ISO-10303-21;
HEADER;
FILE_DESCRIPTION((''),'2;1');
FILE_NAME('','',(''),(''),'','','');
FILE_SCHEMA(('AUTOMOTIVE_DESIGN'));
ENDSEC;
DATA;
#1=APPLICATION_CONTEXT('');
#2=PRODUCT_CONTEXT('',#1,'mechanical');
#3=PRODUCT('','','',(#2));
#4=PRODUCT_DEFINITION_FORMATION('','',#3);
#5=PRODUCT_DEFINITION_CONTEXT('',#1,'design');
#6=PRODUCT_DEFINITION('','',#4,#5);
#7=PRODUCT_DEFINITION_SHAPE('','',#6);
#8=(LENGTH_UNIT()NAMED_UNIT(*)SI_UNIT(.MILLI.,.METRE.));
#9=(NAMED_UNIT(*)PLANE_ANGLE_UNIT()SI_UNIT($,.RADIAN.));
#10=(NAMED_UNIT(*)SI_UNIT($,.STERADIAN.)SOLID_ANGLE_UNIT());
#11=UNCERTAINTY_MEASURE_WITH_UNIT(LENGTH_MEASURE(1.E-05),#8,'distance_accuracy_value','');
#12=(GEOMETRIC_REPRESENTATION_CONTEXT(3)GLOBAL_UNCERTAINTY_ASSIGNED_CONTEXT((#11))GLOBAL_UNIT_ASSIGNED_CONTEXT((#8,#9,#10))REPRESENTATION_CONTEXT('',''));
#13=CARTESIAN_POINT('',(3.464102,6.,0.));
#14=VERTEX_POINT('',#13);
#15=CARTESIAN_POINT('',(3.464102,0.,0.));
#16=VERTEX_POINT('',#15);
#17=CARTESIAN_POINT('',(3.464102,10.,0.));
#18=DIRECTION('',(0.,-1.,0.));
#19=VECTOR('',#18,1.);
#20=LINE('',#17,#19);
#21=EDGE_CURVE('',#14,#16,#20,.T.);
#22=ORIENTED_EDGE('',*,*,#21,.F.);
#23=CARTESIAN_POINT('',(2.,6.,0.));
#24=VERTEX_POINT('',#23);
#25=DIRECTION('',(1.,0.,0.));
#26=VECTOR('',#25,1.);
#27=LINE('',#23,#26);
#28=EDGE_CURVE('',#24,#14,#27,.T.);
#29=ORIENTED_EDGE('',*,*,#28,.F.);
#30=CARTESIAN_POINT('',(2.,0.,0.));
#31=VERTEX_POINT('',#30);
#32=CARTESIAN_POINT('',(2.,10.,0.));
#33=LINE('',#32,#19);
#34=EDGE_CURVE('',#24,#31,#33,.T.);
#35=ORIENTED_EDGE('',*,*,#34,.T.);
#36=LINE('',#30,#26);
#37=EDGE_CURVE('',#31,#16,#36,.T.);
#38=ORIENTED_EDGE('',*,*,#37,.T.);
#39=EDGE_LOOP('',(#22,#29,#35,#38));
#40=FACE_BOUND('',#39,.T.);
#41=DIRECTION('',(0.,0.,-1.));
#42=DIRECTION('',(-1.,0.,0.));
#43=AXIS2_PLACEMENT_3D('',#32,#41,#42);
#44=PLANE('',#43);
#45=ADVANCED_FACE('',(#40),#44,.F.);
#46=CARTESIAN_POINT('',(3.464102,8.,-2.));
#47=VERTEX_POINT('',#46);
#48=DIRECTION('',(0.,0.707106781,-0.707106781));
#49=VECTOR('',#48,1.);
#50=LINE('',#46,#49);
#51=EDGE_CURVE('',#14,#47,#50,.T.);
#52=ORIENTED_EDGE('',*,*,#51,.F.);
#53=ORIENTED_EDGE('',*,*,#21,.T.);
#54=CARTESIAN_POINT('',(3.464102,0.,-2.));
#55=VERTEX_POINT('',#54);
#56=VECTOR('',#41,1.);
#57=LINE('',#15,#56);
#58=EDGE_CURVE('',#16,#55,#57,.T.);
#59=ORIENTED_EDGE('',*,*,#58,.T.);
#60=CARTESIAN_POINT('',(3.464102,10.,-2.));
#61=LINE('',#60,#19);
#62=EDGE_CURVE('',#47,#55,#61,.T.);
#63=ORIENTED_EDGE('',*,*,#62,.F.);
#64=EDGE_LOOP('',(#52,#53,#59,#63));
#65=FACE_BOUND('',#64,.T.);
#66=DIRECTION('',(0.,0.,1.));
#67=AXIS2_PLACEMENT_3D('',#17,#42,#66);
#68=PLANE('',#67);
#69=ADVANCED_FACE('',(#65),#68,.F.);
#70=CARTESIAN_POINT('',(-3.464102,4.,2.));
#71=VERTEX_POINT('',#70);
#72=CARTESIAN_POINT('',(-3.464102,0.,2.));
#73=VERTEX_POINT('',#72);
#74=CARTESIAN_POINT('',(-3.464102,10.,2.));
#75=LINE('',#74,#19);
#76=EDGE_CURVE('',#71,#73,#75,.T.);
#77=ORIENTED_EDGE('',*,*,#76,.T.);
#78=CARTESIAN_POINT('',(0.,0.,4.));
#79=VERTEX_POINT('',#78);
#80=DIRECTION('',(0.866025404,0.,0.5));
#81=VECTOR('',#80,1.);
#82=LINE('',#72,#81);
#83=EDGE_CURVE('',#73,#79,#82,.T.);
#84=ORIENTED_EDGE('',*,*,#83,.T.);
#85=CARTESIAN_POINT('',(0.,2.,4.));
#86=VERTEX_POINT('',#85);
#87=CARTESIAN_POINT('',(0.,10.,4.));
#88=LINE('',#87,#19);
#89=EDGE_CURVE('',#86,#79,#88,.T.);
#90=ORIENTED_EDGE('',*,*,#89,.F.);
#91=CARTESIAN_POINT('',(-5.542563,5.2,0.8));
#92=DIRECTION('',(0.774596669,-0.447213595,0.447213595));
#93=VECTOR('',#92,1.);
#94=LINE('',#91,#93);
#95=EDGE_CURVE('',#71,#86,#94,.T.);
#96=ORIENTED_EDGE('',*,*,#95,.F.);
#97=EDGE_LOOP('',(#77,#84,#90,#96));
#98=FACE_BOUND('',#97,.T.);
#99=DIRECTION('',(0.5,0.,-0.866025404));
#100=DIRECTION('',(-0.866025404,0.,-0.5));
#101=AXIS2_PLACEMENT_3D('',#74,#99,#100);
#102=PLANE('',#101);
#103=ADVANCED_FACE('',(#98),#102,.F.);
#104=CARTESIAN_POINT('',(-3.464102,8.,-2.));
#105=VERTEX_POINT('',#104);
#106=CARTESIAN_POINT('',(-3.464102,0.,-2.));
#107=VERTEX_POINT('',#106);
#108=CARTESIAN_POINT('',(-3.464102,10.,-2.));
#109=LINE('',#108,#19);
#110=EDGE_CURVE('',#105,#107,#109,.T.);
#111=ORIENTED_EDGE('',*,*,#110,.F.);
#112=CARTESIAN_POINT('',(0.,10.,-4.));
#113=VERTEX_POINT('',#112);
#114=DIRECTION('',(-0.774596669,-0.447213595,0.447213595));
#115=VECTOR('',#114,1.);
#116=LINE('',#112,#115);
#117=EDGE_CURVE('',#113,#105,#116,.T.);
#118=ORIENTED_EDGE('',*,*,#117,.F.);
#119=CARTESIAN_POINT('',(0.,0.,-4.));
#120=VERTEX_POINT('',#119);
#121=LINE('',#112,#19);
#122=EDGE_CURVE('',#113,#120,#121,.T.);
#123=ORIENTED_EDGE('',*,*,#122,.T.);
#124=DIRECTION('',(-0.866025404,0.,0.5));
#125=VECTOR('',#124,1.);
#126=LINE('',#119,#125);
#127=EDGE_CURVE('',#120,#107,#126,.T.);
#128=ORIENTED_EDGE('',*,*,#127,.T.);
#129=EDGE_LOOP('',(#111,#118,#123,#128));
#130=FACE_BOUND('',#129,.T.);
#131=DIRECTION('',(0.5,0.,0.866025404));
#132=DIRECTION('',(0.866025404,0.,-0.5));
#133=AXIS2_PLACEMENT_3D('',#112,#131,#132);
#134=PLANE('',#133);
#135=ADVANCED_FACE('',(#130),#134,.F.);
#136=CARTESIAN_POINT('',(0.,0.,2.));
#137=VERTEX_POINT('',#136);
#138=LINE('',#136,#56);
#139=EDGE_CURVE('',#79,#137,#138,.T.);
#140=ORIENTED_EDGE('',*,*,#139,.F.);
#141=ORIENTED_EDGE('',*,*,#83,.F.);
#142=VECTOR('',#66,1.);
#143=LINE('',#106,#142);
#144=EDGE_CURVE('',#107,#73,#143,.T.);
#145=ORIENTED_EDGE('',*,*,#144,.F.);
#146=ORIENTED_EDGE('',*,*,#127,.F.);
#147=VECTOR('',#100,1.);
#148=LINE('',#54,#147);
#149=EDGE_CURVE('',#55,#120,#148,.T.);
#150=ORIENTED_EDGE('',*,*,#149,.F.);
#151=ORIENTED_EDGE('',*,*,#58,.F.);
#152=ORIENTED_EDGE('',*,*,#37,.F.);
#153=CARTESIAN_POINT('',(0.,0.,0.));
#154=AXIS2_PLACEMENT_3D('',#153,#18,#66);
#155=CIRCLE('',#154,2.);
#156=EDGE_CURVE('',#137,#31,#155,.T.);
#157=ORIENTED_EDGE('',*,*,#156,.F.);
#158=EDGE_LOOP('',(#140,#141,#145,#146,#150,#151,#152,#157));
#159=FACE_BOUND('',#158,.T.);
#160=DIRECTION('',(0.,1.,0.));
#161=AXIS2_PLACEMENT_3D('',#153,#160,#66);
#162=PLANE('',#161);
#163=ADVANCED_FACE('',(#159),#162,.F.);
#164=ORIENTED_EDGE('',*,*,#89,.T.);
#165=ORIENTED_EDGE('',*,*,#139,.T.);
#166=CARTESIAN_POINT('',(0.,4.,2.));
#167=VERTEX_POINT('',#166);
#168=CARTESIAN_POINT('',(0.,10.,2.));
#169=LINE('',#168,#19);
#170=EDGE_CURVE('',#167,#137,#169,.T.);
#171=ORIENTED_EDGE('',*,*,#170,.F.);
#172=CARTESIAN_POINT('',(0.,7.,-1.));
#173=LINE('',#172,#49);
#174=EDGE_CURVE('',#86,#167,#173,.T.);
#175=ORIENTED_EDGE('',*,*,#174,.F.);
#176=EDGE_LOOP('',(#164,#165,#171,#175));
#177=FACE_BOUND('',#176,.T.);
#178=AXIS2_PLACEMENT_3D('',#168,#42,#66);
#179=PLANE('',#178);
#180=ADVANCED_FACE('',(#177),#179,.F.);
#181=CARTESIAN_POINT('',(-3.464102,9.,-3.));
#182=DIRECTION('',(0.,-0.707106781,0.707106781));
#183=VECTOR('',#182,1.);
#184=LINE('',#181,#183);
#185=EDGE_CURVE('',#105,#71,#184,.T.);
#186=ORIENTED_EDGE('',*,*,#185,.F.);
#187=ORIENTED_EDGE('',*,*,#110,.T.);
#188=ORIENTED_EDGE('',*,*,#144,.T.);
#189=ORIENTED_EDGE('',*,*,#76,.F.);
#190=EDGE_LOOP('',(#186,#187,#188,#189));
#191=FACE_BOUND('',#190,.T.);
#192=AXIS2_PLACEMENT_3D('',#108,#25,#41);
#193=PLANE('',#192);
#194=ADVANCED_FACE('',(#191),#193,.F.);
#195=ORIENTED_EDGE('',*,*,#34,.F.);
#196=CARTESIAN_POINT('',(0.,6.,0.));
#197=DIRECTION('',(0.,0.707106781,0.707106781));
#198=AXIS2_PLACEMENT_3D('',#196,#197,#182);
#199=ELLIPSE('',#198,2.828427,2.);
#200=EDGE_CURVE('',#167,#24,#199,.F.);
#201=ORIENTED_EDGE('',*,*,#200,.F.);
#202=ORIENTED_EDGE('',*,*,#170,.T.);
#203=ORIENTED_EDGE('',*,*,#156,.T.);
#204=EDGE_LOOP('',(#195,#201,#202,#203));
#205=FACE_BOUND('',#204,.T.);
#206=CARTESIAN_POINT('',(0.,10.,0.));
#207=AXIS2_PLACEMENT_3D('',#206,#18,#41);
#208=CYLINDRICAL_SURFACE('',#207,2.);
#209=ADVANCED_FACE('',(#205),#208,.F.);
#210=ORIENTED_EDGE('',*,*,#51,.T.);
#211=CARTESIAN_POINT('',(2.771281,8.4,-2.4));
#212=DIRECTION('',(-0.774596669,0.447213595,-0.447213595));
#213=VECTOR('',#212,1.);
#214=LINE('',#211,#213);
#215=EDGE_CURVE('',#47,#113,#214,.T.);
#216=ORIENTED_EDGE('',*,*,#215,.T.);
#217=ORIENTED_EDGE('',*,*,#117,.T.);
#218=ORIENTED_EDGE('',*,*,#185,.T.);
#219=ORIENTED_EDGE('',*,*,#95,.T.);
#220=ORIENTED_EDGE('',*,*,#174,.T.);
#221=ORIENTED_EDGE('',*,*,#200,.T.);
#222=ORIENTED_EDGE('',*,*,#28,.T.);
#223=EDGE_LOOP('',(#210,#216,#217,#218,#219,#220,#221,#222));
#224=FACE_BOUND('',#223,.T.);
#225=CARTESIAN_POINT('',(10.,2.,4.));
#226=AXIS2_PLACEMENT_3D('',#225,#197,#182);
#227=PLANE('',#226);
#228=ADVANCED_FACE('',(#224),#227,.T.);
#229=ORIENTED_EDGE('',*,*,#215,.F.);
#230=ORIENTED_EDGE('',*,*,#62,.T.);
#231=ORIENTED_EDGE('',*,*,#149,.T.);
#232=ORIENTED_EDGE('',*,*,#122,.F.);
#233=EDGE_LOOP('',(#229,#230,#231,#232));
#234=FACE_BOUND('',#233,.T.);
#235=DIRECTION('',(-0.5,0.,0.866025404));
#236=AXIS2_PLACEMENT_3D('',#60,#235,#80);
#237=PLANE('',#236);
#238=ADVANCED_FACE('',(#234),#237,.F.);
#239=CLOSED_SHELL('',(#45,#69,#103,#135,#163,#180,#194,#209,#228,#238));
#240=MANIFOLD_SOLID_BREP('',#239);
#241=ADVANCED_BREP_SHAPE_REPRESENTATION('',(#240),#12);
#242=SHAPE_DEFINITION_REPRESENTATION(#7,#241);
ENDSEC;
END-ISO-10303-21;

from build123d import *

# Parameters (mm, degrees)
BOSS_EXTRUDE1_DEPTH     = 10
CUT_EXTRUDE2_DEPTH      = 10
CUT_EXTRUDE2_DEPTH_BACK = 10


with BuildPart() as part:
    # Sketch1 → Boss-Extrude1 (new body)
    with BuildSketch(Plane(origin=(0, 0, 0), x_dir=(1, 0, 0), z_dir=(0, 1, 0))):
        with BuildLine():
            Line((2, 0), (3.464101615, 0))
            Line((3.464101615, 0), (3.464101615, 2))
            Line((3.464101615, 2), (0, 4))
            Line((0, 4), (-3.464101615, 2))
            Line((-3.464101615, 2), (-3.464101615, -2))
            Line((-3.464101615, -2), (0, -4))
            Line((0, -4), (0, -2))
            ThreePointArc((0, -2), (-1.414213562, 1.414213562), (2, 0))
        make_face()
    extrude(amount=BOSS_EXTRUDE1_DEPTH)

    # Sketch3 → Cut-Extrude2 (cut, two sides)
    with BuildSketch(Plane(origin=(0, 0, 0), x_dir=(0, 0, -1), z_dir=(1, 0, 0))) as cut_extrude2_sk:
        Polygon((-4, 2), (4, 10), (-4, 10), align=None)
    extrude(amount=CUT_EXTRUDE2_DEPTH, mode=Mode.SUBTRACT)
    extrude(cut_extrude2_sk.sketch, amount=-CUT_EXTRUDE2_DEPTH_BACK, mode=Mode.SUBTRACT)


solid = part.part
